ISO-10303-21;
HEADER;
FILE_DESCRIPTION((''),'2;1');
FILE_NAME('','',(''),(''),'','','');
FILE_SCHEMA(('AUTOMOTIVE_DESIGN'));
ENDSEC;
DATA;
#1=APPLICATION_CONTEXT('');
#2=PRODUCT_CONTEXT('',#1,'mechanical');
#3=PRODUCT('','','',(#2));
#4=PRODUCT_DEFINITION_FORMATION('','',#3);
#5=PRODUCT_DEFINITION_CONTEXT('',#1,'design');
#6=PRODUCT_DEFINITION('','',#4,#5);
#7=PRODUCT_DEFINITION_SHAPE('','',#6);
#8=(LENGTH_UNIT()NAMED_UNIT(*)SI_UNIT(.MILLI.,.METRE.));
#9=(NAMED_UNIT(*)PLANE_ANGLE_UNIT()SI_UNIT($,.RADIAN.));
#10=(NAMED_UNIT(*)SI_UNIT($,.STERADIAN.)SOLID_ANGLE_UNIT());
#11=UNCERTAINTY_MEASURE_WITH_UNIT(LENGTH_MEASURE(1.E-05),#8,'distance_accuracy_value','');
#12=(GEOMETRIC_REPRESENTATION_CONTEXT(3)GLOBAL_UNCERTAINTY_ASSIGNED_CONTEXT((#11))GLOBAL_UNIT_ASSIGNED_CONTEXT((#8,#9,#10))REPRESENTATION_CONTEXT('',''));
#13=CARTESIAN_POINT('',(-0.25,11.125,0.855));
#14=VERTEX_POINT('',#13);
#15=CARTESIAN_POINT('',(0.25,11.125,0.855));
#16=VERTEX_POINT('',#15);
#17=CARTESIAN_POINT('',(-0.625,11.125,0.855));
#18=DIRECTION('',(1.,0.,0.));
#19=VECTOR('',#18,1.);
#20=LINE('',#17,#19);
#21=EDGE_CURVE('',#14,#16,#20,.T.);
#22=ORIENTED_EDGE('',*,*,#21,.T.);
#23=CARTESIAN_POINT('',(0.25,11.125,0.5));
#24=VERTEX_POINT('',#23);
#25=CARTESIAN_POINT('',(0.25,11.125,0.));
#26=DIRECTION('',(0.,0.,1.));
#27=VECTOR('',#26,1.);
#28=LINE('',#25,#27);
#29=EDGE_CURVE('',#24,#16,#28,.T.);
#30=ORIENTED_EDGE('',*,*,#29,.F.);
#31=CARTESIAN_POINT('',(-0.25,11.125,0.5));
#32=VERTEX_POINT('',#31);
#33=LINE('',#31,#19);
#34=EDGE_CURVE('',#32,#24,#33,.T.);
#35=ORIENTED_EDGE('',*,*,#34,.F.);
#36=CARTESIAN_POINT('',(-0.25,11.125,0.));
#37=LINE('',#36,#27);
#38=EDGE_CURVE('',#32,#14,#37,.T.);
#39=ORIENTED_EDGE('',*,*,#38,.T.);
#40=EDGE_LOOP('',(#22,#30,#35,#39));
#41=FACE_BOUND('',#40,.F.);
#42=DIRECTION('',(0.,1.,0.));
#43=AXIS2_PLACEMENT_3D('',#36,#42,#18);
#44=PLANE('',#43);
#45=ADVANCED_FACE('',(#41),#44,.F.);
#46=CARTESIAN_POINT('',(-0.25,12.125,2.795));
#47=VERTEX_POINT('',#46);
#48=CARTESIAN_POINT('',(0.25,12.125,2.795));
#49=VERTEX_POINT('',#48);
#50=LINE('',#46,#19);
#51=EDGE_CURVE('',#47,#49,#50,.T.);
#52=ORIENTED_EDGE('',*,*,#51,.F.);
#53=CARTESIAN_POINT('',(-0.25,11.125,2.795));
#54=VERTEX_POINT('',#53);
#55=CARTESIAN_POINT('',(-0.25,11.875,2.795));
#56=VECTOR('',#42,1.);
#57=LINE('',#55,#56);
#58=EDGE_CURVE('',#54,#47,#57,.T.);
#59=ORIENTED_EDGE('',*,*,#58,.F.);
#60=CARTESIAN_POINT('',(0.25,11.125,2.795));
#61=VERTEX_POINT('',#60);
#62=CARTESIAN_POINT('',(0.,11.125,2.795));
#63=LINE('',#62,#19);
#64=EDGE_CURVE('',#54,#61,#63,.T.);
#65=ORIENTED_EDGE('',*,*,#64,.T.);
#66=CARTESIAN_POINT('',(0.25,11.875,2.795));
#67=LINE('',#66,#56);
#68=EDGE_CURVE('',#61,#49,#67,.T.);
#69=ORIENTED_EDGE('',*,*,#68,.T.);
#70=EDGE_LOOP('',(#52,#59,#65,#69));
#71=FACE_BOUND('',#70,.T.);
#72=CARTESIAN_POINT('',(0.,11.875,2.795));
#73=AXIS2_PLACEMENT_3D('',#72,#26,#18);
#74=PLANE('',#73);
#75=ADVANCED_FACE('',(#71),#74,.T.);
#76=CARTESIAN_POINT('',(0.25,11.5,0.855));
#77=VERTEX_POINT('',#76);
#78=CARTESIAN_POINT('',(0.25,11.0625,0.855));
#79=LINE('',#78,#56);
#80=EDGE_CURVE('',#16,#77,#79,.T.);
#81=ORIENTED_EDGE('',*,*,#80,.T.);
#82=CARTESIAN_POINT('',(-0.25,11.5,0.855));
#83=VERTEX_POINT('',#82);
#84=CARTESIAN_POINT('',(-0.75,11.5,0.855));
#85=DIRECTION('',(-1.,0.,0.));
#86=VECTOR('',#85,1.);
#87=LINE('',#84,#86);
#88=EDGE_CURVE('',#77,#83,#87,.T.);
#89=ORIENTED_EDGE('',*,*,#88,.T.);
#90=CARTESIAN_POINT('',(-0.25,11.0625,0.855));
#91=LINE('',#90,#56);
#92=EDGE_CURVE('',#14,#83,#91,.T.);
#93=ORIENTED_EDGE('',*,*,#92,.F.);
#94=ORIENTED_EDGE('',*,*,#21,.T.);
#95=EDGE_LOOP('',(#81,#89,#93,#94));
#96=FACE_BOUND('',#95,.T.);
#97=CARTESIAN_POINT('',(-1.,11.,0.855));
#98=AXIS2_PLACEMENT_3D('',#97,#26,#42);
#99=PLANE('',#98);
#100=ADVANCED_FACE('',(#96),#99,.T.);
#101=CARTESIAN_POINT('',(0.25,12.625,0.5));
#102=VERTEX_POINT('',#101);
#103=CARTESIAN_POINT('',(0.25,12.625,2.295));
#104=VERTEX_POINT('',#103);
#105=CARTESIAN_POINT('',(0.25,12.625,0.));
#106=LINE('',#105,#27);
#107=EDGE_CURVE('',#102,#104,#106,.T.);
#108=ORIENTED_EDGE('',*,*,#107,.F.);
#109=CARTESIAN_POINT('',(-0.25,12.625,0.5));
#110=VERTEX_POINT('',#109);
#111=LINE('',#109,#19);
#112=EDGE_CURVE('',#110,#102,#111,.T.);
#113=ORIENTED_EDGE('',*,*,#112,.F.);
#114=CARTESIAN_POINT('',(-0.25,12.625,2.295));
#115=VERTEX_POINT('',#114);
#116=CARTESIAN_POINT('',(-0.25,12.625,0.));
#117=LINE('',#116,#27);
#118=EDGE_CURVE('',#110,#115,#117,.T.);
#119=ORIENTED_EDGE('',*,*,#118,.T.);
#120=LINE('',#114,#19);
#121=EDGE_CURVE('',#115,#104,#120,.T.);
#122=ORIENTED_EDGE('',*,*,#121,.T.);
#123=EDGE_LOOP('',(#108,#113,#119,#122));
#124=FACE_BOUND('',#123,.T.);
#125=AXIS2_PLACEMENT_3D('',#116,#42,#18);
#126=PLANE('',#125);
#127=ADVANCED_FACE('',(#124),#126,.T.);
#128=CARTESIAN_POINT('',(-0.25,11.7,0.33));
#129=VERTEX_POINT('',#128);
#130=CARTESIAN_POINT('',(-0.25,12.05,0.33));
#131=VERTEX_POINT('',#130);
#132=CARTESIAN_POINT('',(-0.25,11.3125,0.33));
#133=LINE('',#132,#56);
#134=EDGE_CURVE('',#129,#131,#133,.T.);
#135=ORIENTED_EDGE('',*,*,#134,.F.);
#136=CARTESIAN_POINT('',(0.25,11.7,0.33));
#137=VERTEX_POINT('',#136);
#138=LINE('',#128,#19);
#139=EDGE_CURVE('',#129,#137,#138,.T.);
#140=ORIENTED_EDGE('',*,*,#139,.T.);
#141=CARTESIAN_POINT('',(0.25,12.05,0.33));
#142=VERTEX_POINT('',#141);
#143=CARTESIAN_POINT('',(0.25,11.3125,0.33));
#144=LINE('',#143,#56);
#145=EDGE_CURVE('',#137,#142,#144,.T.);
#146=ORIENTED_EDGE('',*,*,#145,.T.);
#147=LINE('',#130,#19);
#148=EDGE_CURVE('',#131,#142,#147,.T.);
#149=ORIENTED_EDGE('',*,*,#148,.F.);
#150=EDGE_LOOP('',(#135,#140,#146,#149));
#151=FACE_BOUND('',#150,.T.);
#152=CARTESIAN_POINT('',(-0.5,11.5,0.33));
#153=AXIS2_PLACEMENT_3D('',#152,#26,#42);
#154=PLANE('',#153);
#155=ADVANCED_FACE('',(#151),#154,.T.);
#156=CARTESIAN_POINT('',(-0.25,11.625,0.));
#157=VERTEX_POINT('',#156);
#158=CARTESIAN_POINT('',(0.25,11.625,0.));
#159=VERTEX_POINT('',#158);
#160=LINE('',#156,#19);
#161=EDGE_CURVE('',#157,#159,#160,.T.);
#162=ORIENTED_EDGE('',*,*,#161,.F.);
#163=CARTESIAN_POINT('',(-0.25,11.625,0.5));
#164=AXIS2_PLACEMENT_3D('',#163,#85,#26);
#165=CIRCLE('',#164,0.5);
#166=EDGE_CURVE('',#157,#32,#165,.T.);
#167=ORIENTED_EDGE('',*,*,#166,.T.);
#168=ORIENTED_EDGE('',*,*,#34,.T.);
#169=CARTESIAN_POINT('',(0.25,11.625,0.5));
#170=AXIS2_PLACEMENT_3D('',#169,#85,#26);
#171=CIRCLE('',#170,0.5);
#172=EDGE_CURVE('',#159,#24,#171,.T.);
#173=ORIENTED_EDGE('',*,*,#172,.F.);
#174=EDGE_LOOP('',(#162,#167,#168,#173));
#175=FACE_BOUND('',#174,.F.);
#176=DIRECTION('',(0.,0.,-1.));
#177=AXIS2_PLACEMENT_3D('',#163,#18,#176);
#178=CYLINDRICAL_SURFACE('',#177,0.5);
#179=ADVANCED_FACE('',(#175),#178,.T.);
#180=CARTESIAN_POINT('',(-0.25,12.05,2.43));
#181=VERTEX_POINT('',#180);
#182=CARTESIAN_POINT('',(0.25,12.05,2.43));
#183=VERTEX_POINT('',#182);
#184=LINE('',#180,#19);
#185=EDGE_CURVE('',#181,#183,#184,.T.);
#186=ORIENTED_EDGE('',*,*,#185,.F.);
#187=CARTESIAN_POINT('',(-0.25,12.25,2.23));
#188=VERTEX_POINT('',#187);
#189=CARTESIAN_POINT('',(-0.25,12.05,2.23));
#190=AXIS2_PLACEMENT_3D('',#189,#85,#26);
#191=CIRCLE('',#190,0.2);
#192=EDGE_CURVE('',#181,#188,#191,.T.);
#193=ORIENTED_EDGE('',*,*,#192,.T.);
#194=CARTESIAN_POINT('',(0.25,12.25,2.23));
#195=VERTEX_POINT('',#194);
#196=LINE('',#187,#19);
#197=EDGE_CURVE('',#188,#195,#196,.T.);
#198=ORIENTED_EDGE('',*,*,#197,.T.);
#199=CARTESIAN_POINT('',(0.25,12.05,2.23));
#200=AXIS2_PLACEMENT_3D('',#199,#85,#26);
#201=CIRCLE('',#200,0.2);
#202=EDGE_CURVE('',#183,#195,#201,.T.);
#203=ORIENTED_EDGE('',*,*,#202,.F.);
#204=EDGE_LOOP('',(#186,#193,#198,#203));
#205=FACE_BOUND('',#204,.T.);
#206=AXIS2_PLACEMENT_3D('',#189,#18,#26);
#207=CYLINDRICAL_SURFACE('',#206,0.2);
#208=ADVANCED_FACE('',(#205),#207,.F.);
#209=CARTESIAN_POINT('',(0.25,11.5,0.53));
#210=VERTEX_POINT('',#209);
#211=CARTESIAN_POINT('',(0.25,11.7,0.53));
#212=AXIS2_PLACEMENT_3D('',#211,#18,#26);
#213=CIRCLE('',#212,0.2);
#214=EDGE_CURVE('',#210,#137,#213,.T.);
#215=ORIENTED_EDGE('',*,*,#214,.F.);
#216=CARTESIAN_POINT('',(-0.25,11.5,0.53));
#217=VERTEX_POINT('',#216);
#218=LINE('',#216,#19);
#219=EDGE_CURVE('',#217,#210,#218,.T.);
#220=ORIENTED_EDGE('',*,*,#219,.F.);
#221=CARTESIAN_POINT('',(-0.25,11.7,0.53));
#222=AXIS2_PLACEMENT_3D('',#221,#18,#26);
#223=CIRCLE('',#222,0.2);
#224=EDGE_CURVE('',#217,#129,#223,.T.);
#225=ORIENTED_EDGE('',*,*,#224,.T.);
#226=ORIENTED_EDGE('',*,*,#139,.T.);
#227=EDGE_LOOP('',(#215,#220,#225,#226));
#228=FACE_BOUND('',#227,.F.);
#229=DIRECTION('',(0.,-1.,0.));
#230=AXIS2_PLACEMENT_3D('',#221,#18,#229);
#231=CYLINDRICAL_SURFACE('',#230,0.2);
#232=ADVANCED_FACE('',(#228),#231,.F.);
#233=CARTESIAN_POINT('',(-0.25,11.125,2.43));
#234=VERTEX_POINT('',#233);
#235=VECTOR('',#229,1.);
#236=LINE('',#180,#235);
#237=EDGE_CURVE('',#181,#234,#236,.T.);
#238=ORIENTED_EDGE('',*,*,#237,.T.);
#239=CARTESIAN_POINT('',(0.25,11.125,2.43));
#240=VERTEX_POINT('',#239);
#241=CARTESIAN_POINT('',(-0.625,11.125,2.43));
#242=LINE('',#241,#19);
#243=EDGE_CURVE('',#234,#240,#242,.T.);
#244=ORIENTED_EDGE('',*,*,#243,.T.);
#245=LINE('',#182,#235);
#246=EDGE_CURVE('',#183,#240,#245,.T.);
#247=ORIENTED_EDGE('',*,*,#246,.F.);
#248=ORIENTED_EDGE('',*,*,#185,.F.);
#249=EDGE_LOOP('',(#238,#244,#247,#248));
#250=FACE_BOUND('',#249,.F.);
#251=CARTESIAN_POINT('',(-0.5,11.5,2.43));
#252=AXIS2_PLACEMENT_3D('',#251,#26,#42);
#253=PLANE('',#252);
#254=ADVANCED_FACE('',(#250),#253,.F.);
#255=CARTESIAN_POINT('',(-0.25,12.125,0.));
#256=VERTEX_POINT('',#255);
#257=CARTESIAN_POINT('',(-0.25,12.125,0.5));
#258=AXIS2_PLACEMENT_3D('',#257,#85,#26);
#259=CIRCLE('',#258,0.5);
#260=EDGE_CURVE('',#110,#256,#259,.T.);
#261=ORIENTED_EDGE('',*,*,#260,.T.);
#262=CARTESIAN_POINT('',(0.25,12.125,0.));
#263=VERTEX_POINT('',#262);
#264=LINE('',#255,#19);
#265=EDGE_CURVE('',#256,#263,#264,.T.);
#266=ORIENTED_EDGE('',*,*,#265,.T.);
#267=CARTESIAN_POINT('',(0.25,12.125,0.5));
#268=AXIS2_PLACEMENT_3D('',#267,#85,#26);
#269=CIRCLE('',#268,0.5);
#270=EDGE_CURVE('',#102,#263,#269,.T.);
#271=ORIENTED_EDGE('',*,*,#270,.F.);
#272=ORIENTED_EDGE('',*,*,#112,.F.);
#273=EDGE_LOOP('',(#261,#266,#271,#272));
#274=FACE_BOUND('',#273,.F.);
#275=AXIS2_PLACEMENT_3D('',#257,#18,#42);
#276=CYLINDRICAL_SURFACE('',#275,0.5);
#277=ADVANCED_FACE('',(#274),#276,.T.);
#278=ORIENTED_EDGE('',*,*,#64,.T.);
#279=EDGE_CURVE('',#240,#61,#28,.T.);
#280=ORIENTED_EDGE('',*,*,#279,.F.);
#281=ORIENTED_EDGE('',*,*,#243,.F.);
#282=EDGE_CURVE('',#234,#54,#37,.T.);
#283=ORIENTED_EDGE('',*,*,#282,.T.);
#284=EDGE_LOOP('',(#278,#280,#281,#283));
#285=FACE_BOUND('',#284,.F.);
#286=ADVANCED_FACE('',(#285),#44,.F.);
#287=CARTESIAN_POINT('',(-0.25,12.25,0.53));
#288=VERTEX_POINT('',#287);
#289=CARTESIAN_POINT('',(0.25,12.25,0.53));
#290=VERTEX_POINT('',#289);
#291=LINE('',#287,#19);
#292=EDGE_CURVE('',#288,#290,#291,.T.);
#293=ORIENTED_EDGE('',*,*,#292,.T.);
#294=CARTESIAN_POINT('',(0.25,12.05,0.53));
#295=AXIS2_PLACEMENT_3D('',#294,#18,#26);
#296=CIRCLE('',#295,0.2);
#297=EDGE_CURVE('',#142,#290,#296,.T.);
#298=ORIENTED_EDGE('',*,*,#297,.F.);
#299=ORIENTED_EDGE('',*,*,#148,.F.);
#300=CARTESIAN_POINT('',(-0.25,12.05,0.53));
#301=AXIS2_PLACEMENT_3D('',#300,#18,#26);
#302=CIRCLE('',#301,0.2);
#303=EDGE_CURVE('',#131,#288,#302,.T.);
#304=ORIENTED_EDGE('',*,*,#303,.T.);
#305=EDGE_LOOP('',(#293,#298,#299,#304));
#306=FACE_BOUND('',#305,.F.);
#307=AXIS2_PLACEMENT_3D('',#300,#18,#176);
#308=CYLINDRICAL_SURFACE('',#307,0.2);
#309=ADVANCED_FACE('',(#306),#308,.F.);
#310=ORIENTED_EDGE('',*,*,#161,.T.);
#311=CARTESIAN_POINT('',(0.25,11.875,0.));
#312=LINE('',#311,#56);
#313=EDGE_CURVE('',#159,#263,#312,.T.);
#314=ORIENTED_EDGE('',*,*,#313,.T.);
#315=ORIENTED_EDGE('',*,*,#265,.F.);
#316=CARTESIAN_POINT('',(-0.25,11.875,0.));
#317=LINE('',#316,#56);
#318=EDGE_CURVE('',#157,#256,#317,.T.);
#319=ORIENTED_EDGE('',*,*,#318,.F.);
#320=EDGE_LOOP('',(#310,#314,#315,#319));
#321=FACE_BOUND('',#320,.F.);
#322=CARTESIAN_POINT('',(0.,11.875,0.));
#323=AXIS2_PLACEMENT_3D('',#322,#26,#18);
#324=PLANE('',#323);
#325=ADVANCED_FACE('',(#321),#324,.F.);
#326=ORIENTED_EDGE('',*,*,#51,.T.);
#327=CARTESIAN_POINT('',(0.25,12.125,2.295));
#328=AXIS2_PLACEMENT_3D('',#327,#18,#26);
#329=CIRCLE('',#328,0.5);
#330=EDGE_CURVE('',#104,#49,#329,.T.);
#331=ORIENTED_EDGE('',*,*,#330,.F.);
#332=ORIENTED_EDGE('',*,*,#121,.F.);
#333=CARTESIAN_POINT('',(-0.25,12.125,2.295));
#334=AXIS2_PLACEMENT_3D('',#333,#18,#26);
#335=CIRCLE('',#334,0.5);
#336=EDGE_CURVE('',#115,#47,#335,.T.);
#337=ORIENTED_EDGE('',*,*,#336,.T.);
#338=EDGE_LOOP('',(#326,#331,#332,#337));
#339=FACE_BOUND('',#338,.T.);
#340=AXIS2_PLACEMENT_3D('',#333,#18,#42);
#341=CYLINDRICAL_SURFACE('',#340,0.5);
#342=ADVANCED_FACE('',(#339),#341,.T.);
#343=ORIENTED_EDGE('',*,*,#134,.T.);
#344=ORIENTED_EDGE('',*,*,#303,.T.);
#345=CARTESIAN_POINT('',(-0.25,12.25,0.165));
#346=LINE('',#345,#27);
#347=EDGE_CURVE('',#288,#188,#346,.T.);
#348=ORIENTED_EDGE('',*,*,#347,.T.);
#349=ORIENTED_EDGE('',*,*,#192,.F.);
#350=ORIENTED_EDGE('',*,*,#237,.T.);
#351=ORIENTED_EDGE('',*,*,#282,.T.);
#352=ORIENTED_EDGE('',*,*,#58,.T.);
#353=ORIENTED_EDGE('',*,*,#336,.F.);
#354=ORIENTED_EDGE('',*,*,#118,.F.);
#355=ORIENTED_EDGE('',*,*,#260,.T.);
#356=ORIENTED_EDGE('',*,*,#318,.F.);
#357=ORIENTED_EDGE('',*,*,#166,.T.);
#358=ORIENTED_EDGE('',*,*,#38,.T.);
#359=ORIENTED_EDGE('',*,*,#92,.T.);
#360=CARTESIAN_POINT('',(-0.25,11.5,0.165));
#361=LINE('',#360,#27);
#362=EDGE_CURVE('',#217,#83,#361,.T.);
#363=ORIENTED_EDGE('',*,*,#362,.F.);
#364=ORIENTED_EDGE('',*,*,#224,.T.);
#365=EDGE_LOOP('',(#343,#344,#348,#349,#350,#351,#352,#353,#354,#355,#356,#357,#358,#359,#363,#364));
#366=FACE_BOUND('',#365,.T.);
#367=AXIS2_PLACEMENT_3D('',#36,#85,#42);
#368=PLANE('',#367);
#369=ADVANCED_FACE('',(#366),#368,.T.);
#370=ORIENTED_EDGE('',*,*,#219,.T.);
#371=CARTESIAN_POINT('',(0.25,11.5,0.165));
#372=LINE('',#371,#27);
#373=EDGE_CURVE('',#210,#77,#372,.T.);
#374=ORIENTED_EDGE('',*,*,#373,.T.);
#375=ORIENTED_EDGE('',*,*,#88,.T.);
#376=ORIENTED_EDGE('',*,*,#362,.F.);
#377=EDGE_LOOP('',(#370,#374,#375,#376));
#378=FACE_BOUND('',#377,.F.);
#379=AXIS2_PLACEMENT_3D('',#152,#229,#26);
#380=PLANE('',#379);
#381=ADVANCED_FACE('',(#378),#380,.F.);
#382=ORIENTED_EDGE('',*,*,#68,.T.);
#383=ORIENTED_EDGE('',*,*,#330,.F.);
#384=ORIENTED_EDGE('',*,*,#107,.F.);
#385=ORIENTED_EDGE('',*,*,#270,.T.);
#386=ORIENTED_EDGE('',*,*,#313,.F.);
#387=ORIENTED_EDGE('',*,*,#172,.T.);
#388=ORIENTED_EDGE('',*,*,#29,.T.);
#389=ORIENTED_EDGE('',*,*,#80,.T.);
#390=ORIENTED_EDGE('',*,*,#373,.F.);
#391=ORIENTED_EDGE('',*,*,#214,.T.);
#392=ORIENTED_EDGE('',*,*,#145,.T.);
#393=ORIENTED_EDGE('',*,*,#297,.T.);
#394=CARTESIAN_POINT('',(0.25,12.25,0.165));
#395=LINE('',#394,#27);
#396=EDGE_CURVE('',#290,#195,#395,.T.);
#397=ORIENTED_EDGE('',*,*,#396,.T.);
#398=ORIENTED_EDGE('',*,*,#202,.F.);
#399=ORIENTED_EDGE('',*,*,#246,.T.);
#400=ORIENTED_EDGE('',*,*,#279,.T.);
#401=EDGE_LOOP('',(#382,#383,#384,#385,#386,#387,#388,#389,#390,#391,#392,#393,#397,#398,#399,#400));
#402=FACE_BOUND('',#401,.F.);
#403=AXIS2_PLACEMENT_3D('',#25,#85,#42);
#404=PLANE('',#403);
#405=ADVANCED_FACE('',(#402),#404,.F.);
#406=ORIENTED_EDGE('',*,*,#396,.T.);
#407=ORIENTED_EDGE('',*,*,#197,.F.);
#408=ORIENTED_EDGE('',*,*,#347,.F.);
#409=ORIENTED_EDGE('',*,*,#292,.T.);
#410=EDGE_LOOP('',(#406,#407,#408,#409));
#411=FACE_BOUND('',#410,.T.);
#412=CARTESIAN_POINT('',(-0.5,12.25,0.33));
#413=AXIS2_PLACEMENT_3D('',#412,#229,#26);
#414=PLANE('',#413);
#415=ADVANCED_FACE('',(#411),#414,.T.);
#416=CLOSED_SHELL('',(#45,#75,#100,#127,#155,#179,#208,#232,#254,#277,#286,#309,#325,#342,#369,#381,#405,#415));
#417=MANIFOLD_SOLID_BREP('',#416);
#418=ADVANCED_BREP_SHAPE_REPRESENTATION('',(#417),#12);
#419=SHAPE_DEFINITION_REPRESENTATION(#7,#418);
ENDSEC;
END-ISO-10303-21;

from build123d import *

# Parameters (mm, degrees)
BOX114_W     = 0.5
BOX114_H     = 1.5
BOX114_DEPTH = 2.795
FILLET277_R  = 0.5
FILLET280_R  = 0.5
FILLET276_R  = 0.5
BOX104_W     = 0.75
BOX104_H     = 2.1
BOX104_DEPTH = 1
FILLET278_R  = 0.2
FILLET281_R  = 0.2
FILLET272_R  = 0.2
FILLET275_R  = 0.2
BOX131_W     = 1
BOX131_H     = 1.575
BOX131_DEPTH = 3


with BuildPart() as part:
    # Box114 → Box114 (join)
    with BuildSketch(Plane(origin=(-0.25, 11.125, 0), x_dir=(1, 0, 0), z_dir=(0, 0, 1))):
        with Locations((0.25, 0.75)):
            Rectangle(BOX114_W, BOX114_H)
    extrude(amount=BOX114_DEPTH)

    # Fillet277
    fillet277_edges = [part.edges().sort_by_distance(p)[0] for p in [
        (0, 12.625, 0),
    ]]
    fillet(fillet277_edges, radius=FILLET277_R)

    # Fillet280
    fillet280_edges = [part.edges().sort_by_distance(p)[0] for p in [
        (0, 12.625, 2.795),
    ]]
    fillet(fillet280_edges, radius=FILLET280_R)

    # Fillet276
    fillet276_edges = [part.edges().sort_by_distance(p)[0] for p in [
        (0, 11.125, 0),
    ]]
    fillet(fillet276_edges, radius=FILLET276_R)

    # Box104 → Box104 (cut)
    with BuildSketch(Plane(origin=(-0.5, 11.5, 0.33), x_dir=(0, 1, 0), z_dir=(1, 0, 0))):
        with Locations((0.375, 1.05)):
            Rectangle(BOX104_W, BOX104_H)
    extrude(amount=BOX104_DEPTH, mode=Mode.SUBTRACT)

    # Fillet278
    fillet278_edges = [part.edges().sort_by_distance(p)[0] for p in [
        (0, 11.5, 0.33),
    ]]
    fillet(fillet278_edges, radius=FILLET278_R)

    # Fillet281
    fillet281_edges = [part.edges().sort_by_distance(p)[0] for p in [
        (0, 12.25, 0.33),
    ]]
    fillet(fillet281_edges, radius=FILLET281_R)

    # Fillet272
    fillet272_edges = [part.edges().sort_by_distance(p)[0] for p in [
        (0, 11.5, 2.43),
    ]]
    fillet(fillet272_edges, radius=FILLET272_R)

    # Fillet275
    fillet275_edges = [part.edges().sort_by_distance(p)[0] for p in [
        (0, 12.25, 2.43),
    ]]
    fillet(fillet275_edges, radius=FILLET275_R)

    # Box131 → Box131 (cut)
    with BuildSketch(Plane(origin=(-1, 11, 0.855), x_dir=(0, 1, 0), z_dir=(1, 0, 0))):
        with Locations((0.5, 0.7875)):
            Rectangle(BOX131_W, BOX131_H)
    extrude(amount=BOX131_DEPTH, mode=Mode.SUBTRACT)


solid = part.part
